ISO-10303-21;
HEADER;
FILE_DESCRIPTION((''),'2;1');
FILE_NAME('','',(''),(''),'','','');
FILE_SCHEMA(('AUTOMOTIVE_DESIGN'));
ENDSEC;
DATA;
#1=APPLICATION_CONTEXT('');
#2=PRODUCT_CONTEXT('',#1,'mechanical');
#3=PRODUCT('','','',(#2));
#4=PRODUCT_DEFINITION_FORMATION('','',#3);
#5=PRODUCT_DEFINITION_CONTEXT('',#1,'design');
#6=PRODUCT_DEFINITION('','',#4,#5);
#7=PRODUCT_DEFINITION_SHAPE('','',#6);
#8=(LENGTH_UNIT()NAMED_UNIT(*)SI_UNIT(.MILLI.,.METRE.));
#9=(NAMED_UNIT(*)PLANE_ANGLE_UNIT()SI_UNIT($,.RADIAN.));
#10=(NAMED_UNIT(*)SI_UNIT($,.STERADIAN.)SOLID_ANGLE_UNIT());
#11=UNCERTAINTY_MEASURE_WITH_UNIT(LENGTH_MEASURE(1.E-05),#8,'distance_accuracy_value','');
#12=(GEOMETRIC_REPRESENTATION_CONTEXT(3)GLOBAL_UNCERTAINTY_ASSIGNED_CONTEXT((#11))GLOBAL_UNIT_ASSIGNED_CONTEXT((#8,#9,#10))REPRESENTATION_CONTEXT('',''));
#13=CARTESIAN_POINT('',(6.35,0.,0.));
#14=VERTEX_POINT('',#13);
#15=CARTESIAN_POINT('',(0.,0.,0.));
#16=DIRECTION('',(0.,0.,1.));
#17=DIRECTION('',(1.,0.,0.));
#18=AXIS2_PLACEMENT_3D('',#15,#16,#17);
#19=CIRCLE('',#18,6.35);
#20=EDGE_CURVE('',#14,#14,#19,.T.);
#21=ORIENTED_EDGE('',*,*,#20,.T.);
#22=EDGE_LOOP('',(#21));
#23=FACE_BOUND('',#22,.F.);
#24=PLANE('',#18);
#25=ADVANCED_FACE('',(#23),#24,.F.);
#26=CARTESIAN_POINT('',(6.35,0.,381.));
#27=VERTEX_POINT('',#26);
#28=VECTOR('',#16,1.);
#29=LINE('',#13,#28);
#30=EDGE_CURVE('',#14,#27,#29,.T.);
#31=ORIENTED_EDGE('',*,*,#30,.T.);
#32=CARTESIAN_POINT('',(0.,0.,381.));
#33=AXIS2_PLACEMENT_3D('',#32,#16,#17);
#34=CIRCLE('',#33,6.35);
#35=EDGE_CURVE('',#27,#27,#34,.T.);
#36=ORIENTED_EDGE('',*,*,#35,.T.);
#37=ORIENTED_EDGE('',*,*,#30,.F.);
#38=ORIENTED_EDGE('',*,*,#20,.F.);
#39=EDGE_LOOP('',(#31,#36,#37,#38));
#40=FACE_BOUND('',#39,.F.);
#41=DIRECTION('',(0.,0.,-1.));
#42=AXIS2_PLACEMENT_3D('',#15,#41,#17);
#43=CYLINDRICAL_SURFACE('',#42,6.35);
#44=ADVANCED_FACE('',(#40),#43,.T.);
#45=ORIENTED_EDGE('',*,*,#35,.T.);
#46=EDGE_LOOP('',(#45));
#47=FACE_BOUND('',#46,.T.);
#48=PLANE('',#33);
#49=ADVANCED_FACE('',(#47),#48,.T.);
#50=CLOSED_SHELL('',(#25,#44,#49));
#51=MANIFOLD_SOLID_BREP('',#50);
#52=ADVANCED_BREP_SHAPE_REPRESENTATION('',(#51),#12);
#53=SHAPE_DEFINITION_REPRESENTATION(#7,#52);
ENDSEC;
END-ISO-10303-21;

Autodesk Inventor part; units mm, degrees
ref_plane "YZ Plane" through (0, 0, 0) normal (1, 0, 0) x (0, 1, 0)
ref_plane "XZ Plane" through (0, 0, 0) normal (0, 1, 0) x (-1, 0, 0)
ref_plane "XY Plane" through (0, 0, 0) normal (0, 0, 1) x (1, 0, 0)
sketch "Sketch1" plane through (0, 0, 0) normal (0, 0, 1) x (1, 0, 0)
  circle A0 centre (0, 0) radius 6.35
  dimension "d0" = 12.7
extrude "Extrusion1" add sketch "Sketch1" along normal blind 381
properties part number "ACMEScrew"
